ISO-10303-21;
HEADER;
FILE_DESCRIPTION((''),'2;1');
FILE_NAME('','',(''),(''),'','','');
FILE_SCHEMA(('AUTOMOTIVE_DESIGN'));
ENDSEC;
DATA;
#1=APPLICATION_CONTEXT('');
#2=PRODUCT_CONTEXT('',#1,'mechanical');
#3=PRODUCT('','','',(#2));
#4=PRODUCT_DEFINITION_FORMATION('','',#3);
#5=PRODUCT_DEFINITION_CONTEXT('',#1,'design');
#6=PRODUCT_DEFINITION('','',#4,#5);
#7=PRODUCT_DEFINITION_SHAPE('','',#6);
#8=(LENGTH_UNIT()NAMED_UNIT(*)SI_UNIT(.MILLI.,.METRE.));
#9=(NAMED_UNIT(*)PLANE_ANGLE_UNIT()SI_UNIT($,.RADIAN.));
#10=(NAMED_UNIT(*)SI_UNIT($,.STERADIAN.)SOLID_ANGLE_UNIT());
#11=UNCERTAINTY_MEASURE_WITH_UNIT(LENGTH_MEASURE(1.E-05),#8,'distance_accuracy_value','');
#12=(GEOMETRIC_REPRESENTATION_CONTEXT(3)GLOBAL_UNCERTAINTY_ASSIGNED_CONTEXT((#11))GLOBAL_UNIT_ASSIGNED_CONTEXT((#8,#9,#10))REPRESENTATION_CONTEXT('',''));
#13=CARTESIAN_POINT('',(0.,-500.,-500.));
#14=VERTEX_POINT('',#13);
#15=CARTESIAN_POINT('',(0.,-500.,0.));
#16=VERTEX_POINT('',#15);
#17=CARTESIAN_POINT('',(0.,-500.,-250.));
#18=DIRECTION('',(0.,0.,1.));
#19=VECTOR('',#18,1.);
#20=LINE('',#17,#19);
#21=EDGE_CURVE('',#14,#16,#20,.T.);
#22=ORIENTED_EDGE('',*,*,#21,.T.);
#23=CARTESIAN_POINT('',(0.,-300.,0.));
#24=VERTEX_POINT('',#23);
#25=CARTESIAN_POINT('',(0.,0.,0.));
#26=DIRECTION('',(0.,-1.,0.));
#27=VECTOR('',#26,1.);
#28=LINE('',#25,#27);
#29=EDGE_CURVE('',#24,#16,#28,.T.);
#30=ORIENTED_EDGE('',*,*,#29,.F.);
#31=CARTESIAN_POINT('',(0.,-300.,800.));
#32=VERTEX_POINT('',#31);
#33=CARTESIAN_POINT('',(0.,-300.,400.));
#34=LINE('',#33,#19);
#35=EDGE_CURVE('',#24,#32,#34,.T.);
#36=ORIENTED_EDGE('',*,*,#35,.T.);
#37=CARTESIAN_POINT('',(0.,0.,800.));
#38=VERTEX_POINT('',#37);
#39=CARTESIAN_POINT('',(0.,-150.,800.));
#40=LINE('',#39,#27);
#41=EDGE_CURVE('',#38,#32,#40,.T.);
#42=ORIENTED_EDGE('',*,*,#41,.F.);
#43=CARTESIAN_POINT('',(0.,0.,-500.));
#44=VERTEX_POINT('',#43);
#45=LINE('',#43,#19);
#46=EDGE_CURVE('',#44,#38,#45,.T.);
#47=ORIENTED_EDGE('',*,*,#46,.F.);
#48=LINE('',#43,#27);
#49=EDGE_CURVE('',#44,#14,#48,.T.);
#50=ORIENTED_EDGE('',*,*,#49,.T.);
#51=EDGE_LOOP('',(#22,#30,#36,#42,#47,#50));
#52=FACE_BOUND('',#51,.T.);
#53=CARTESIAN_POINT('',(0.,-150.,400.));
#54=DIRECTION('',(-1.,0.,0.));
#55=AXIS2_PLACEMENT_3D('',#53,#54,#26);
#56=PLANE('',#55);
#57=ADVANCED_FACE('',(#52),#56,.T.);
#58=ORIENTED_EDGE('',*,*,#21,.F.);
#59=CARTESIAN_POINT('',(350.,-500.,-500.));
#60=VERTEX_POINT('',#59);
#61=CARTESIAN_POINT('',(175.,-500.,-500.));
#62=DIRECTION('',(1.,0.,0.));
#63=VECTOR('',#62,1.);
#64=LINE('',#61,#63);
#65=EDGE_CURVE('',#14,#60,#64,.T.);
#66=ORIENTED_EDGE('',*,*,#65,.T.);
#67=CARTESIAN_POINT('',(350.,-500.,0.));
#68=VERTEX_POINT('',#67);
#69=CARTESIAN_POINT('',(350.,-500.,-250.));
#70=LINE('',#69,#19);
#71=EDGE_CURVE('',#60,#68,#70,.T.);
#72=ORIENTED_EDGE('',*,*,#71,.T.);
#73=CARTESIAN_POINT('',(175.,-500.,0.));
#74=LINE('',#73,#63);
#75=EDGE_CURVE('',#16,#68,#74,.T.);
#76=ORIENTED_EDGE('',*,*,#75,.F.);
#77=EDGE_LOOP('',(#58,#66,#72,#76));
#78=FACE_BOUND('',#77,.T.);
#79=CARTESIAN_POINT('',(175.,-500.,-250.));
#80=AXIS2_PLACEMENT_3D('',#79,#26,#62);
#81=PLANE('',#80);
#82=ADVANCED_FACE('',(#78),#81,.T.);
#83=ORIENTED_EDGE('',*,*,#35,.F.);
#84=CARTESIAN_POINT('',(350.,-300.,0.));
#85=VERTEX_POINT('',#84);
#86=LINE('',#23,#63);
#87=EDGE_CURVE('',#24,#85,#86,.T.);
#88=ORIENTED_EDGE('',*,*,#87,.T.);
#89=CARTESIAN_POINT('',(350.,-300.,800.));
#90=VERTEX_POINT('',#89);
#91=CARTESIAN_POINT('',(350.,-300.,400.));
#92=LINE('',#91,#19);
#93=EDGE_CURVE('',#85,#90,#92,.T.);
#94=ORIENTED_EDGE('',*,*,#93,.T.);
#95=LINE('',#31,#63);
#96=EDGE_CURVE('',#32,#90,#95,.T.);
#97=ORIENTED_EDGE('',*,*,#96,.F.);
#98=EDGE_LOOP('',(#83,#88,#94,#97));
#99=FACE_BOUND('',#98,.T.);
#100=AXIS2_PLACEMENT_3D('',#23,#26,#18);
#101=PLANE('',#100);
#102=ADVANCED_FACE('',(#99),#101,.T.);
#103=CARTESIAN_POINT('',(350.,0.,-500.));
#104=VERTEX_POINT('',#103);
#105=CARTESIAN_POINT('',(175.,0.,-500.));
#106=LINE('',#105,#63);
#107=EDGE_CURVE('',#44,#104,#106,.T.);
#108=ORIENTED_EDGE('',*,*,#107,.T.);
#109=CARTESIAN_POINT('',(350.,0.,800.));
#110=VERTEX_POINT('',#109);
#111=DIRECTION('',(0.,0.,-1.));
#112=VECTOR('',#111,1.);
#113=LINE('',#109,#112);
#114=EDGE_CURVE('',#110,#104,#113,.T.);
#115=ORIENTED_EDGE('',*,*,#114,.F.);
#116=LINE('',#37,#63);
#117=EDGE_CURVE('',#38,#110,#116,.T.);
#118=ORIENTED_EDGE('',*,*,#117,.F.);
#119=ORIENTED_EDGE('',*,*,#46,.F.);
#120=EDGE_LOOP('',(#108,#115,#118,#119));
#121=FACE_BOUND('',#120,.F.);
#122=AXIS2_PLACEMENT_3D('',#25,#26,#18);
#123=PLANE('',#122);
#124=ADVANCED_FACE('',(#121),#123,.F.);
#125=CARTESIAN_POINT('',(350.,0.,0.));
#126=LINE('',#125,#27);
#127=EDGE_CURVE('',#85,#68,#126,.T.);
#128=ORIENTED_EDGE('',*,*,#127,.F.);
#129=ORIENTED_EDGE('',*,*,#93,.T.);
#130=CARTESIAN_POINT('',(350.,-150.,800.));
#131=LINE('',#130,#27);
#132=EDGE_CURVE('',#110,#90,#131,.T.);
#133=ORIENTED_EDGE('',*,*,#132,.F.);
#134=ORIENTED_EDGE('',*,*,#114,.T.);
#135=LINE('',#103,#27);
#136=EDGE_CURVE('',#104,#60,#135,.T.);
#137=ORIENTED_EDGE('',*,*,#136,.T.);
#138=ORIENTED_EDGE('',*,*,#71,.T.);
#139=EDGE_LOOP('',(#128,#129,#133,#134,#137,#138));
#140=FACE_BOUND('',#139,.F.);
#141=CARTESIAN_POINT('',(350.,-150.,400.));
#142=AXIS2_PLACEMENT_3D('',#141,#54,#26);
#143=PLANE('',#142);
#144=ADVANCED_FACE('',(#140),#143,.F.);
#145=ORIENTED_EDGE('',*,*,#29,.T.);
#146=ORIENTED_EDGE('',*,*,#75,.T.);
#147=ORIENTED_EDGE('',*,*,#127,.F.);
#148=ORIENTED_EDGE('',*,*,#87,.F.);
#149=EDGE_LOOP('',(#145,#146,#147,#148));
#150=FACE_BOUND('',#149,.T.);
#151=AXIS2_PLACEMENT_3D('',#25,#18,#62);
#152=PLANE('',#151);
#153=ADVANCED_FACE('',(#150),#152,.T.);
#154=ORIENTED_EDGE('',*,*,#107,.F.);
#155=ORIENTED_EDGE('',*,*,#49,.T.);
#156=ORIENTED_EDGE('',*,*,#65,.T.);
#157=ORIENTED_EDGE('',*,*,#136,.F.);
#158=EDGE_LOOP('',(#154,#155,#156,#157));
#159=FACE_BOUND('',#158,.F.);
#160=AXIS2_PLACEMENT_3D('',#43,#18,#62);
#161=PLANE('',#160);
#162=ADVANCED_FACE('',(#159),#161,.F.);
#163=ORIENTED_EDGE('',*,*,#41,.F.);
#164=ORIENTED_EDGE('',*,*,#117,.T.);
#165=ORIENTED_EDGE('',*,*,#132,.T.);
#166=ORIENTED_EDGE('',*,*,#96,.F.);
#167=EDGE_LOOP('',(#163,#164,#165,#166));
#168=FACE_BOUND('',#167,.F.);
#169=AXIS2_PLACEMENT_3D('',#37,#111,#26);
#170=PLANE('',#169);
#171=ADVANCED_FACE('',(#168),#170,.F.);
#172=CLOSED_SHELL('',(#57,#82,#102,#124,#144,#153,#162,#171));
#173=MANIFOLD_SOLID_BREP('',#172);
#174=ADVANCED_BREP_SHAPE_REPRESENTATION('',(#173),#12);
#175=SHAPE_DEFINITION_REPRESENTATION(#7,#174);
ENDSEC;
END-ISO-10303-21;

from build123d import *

# Parameters (mm, degrees)
F0_W     = 350
F0_H     = 500
F1_DEPTH = 500
F2_W     = 300
F2_H     = 800
F3_DEPTH = 350


with BuildPart() as f1:
    # F0 (on Front) → F1 (new body)
    with BuildSketch(Plane.XZ):
        with Locations((175, -250)):
            Rectangle(F0_W, F0_H)
    extrude(amount=F1_DEPTH)

    # F2 (on face) → F3 (join)
    with BuildSketch(Plane(origin=(0, 0, 0), x_dir=(0, -1, 0), z_dir=(-1, 0, 0))):
        with Locations((150, 400)):
            Rectangle(F2_W, F2_H)
    extrude(amount=-F3_DEPTH)


solid = f1.part
